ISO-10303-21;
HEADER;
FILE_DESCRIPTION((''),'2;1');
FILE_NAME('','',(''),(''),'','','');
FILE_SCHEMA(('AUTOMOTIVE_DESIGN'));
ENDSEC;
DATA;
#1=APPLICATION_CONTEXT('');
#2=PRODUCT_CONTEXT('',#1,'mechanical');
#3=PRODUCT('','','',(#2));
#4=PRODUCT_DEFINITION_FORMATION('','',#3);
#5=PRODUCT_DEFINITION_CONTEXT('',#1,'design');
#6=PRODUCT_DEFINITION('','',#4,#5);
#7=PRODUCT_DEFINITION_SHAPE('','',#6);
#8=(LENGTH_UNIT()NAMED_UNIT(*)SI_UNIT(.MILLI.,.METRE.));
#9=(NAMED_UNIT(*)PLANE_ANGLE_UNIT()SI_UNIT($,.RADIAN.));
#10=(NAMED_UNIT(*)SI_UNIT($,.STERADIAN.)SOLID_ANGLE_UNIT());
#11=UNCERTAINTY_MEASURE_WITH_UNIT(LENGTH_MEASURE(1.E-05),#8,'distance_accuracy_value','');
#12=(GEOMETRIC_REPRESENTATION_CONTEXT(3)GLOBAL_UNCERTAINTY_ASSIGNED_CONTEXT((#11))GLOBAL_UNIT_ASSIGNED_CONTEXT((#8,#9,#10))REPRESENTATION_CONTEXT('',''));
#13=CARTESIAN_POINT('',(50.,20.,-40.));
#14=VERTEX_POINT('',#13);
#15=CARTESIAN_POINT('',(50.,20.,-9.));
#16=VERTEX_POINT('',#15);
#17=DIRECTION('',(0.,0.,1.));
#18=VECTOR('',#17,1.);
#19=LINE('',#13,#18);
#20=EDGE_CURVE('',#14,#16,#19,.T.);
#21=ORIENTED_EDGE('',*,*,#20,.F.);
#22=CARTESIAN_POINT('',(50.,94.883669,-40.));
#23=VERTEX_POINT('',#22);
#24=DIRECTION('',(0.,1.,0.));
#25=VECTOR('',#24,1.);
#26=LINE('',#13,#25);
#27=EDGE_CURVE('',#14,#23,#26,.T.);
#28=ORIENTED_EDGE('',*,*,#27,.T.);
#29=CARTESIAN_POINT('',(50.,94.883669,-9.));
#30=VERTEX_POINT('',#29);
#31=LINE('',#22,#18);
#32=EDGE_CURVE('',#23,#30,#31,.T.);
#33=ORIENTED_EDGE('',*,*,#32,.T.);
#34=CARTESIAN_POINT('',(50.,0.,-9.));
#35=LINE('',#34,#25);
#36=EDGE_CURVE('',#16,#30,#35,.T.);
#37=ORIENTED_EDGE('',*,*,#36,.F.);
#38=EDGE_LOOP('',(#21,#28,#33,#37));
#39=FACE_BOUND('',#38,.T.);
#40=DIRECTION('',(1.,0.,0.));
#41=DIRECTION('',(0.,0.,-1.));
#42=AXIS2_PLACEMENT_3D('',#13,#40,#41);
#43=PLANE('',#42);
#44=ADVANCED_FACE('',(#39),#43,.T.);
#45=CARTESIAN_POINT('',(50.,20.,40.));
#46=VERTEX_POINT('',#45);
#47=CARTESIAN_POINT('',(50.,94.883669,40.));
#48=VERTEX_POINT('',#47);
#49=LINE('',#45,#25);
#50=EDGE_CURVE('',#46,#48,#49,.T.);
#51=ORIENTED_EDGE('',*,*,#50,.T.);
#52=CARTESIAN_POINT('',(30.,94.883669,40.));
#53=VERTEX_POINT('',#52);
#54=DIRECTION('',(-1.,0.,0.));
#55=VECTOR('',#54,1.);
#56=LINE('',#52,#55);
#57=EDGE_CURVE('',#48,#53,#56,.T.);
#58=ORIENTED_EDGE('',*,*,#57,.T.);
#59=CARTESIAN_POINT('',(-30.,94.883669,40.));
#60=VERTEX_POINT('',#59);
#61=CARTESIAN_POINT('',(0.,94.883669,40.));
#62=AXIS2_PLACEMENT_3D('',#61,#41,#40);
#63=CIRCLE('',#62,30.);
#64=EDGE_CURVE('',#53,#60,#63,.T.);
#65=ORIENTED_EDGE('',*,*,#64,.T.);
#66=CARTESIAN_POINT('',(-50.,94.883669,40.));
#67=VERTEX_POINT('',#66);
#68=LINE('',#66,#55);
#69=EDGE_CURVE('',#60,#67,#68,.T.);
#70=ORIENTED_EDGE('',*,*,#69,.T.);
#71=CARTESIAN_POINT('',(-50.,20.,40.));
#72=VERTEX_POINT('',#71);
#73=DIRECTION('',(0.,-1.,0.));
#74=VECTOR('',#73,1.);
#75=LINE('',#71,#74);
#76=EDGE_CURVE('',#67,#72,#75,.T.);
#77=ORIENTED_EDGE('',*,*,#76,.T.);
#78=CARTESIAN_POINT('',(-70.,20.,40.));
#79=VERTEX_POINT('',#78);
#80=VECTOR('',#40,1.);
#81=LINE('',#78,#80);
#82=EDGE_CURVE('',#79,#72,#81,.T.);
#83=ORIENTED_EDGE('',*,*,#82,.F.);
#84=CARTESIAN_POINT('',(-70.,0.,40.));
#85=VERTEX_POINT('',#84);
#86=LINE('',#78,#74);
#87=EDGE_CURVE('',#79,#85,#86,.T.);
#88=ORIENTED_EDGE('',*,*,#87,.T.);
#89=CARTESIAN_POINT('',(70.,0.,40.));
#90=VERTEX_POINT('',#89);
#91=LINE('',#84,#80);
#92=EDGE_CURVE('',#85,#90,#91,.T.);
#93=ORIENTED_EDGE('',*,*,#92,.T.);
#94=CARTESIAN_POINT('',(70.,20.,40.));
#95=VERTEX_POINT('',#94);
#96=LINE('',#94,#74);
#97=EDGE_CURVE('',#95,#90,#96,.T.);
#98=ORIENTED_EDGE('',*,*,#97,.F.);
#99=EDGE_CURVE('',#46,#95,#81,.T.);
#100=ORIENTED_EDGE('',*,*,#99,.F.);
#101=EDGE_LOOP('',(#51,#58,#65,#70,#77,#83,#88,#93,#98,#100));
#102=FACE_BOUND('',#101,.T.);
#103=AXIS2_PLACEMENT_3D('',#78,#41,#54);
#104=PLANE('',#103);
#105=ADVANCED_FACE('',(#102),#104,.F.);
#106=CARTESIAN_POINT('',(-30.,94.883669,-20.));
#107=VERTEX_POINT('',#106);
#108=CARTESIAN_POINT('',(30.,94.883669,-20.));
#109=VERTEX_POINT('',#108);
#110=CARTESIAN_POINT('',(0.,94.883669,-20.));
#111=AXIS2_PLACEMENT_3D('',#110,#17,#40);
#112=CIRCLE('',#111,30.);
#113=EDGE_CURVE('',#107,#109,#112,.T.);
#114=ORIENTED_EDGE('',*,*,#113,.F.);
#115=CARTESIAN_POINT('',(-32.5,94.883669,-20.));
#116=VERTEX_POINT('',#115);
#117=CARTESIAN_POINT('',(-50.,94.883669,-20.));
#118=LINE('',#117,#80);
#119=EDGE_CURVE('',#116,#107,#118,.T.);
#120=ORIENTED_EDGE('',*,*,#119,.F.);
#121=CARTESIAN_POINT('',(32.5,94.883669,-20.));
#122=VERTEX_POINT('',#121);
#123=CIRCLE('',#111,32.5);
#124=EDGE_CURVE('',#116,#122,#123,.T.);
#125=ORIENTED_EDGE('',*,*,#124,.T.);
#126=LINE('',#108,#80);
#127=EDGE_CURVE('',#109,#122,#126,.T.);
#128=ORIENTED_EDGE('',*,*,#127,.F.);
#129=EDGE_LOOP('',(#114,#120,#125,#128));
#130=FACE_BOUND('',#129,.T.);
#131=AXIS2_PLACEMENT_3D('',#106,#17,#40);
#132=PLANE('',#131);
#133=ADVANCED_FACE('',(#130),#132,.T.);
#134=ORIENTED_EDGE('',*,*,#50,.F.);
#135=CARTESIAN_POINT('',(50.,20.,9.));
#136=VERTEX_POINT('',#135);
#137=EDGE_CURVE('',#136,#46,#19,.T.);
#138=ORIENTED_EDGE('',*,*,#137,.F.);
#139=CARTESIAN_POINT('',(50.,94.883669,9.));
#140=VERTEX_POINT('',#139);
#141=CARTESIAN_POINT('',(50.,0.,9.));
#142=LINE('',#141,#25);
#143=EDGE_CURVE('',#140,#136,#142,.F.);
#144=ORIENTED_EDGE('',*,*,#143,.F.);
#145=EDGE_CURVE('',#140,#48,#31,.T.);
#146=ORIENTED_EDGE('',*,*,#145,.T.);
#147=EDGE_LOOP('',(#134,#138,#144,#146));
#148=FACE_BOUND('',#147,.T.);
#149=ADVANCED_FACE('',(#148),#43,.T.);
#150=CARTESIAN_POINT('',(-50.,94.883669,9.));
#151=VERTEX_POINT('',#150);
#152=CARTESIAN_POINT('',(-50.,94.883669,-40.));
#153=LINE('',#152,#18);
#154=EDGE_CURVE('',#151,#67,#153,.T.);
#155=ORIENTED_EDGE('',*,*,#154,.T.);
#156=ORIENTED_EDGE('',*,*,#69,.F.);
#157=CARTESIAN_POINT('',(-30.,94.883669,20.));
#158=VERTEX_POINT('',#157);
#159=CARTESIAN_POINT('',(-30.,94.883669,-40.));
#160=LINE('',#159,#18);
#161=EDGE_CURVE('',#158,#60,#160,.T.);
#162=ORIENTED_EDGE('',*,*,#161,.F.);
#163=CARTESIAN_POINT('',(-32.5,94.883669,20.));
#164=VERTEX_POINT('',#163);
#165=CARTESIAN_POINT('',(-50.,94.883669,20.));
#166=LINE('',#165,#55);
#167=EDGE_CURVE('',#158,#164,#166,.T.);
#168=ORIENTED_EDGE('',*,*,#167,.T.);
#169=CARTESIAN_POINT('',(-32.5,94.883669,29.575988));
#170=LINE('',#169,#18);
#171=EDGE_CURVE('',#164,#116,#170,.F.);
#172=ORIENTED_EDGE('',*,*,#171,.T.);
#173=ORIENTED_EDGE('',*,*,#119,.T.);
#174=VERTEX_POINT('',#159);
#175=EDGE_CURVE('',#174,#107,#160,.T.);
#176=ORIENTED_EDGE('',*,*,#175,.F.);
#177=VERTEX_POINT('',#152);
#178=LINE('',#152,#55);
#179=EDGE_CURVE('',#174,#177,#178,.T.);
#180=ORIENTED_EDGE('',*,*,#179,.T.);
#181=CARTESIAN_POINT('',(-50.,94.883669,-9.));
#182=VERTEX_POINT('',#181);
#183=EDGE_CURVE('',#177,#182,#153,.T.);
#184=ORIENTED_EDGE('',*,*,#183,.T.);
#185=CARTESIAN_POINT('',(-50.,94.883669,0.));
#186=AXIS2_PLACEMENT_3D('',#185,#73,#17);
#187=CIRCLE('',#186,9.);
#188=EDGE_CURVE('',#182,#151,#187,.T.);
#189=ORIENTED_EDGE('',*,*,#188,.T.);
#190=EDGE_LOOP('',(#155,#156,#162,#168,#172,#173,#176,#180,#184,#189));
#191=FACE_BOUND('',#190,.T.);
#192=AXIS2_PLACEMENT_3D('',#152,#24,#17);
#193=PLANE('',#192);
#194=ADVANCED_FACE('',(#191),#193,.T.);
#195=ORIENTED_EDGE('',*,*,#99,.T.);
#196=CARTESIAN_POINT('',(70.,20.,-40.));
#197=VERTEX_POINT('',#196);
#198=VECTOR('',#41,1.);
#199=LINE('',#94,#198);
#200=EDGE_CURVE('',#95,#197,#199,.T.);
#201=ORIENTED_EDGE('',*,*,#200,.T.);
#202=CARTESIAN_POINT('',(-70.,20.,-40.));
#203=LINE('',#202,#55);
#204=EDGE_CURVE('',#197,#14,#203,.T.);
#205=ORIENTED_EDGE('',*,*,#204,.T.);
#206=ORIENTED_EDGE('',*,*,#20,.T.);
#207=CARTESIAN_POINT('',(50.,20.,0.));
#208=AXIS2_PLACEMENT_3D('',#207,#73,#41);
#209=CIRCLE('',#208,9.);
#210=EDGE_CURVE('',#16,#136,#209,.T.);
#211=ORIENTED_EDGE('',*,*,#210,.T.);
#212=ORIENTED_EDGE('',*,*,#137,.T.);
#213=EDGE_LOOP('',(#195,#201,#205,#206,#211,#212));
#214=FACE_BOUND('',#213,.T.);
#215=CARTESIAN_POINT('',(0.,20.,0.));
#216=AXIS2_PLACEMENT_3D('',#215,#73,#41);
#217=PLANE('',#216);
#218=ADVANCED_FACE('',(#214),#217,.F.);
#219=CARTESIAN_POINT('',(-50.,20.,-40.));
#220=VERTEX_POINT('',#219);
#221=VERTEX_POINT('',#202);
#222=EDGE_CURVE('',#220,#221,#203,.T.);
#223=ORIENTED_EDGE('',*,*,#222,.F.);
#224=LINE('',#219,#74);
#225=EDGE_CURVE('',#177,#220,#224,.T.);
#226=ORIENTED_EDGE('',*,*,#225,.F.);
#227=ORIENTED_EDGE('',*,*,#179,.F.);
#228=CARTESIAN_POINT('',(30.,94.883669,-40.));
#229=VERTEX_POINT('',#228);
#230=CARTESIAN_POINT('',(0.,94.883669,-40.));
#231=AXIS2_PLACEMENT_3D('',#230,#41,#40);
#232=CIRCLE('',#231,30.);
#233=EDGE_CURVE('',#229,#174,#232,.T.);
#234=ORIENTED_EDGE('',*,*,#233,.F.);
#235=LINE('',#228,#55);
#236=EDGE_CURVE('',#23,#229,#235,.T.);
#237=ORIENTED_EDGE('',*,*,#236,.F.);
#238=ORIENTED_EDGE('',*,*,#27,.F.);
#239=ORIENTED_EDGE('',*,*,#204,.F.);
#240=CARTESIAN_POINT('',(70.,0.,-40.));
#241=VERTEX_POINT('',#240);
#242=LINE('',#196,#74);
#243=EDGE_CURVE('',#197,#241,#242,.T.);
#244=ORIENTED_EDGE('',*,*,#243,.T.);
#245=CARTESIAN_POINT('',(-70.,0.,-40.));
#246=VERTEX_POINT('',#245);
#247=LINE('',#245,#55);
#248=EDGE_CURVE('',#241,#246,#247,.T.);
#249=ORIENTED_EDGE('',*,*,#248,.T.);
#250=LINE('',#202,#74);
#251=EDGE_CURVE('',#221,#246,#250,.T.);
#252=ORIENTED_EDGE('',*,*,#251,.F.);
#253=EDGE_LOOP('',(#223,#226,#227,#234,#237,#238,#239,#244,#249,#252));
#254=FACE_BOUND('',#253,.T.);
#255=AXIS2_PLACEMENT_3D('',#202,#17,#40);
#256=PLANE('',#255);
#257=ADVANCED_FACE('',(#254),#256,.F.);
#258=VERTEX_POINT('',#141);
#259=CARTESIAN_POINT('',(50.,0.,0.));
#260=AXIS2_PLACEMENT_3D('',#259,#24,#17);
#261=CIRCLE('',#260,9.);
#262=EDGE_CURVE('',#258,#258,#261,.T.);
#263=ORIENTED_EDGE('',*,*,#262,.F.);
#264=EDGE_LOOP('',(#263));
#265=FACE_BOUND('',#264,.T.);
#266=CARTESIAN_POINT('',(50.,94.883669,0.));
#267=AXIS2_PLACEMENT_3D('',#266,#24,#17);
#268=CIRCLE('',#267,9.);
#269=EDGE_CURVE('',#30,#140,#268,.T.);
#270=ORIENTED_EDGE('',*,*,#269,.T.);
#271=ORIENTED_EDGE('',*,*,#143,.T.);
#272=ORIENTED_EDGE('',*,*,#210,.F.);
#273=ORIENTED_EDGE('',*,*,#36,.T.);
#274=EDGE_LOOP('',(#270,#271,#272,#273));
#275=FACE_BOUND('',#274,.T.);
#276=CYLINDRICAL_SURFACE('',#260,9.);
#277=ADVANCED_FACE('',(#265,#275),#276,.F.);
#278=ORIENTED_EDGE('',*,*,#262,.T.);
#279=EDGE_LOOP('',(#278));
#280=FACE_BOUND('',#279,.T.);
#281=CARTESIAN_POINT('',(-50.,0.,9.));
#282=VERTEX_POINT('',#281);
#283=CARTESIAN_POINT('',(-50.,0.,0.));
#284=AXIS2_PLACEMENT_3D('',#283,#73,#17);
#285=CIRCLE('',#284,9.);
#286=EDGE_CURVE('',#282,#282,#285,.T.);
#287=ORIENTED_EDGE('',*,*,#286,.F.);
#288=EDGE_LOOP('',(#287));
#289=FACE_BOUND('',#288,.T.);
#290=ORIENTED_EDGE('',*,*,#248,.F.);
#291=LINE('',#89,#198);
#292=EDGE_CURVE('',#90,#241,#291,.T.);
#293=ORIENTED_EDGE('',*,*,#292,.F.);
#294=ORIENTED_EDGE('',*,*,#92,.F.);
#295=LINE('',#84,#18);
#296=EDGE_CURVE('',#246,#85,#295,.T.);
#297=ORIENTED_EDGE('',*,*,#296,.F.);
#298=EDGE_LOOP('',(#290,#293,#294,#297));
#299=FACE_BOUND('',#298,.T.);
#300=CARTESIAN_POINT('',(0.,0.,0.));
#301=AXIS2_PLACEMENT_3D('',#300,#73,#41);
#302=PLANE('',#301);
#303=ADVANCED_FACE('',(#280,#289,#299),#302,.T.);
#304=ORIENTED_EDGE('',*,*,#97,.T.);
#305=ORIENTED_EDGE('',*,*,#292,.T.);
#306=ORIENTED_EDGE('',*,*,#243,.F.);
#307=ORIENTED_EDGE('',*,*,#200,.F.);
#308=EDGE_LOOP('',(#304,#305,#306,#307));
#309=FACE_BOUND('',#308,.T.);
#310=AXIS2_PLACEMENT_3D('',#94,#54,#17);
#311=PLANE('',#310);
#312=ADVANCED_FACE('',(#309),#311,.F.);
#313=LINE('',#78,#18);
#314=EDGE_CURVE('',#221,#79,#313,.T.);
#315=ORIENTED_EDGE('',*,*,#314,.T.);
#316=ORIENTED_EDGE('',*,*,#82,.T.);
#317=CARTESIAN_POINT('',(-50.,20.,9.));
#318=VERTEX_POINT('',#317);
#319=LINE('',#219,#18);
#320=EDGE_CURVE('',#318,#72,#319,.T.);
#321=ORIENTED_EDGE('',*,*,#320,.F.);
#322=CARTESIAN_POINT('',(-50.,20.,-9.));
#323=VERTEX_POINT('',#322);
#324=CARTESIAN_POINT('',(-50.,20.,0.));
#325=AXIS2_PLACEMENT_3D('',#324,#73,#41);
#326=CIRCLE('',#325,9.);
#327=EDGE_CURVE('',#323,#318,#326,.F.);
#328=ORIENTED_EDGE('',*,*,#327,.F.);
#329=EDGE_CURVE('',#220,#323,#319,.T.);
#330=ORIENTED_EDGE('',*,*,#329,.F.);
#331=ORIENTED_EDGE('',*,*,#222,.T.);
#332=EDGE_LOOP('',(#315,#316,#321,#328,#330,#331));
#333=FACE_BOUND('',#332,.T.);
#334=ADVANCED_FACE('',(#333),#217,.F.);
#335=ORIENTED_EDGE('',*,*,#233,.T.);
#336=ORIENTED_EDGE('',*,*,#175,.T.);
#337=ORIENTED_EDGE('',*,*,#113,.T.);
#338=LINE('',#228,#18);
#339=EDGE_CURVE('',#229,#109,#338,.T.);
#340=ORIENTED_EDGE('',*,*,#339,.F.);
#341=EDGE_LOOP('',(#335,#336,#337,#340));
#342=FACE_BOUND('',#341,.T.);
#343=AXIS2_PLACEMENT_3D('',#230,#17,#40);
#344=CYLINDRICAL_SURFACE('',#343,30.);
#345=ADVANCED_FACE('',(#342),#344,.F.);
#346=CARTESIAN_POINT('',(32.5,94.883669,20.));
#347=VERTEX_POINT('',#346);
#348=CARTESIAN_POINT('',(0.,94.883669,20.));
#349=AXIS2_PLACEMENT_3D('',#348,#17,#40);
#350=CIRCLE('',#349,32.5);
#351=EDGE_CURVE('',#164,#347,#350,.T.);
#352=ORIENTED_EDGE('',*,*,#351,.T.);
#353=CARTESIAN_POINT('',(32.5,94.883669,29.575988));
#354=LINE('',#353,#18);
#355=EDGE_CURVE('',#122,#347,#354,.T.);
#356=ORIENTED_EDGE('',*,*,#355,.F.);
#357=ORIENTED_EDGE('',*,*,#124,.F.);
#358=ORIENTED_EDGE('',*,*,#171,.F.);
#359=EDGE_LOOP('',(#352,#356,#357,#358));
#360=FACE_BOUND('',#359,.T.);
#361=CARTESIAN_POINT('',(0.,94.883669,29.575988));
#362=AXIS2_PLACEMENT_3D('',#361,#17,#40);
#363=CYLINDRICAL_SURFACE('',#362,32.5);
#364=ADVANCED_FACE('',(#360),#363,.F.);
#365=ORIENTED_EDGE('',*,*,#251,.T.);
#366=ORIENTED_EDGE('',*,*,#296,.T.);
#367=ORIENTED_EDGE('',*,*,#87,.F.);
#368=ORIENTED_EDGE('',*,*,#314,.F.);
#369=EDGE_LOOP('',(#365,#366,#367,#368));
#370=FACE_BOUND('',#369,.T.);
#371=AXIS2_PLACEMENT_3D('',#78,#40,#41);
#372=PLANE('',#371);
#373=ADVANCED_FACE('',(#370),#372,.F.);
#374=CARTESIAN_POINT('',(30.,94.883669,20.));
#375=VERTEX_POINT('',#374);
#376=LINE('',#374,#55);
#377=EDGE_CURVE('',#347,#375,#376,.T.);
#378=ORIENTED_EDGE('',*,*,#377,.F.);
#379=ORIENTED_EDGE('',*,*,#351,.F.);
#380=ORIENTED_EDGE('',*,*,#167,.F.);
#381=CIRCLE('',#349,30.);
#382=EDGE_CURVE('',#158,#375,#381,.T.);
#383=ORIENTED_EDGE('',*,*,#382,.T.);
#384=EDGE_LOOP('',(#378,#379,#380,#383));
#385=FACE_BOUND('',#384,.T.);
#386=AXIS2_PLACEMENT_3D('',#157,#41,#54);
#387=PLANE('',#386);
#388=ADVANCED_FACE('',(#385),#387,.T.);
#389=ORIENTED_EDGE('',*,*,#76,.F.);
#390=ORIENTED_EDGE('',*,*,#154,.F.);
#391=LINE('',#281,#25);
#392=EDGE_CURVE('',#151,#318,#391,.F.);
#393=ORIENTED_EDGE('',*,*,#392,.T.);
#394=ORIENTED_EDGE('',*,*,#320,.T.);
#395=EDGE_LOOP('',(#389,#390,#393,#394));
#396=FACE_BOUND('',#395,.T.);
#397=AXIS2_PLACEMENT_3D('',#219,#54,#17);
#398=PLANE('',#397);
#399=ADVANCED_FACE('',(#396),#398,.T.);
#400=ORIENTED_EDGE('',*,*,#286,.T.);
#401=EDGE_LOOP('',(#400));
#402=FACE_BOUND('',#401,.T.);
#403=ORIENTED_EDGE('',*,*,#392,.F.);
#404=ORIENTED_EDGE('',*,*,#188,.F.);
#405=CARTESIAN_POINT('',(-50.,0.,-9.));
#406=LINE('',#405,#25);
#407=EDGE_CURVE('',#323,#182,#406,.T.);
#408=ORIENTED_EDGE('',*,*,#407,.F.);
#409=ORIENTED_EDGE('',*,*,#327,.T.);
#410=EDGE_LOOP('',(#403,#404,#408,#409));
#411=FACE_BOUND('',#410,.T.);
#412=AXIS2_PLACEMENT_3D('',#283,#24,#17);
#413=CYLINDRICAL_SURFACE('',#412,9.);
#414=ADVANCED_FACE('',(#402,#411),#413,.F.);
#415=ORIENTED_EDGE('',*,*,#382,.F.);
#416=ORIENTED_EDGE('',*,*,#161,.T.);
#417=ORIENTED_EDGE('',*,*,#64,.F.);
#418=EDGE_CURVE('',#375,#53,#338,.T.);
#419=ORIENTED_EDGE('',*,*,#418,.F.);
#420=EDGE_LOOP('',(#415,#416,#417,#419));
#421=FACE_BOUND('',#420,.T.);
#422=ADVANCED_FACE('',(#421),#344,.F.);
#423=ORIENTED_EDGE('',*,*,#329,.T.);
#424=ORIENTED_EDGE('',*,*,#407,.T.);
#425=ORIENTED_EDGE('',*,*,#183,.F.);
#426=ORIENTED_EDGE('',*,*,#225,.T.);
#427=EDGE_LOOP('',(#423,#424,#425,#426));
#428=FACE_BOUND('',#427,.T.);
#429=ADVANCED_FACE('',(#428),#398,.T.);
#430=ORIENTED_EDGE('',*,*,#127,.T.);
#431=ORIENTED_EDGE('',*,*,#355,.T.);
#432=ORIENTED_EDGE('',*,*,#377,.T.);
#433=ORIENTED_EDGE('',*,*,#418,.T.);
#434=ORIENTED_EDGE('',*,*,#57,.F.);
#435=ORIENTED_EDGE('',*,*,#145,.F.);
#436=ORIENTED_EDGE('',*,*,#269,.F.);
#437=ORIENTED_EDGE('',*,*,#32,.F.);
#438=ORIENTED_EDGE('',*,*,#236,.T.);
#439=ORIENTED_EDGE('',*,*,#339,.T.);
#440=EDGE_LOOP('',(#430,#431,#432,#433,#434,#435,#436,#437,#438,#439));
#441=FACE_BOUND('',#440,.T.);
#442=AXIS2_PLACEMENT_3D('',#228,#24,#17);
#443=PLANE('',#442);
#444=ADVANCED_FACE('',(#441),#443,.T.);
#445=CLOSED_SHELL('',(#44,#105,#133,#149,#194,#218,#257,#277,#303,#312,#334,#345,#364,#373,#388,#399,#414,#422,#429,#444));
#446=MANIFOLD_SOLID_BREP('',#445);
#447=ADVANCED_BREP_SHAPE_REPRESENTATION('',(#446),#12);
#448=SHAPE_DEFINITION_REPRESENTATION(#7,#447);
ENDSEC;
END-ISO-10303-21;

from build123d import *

# Parameters (mm, degrees)
SKETCH1_W           = 140
SKETCH1_H           = 80
BOSS_EXTRUDE1_DEPTH = 20
BOSS_EXTRUDE2_DEPTH = 80
SKETCH3_W           = 2.5
SKETCH3_H           = 40
SKETCH4_R           = 9
CUT_EXTRUDE1_DEPTH  = 125.510684884


with BuildPart() as part:
    # Sketch1 → Boss-Extrude1 (new body)
    with BuildSketch(Plane(origin=(0, 0, 0), x_dir=(1, 0, 0), z_dir=(0, 1, 0))):
        Rectangle(SKETCH1_W, SKETCH1_H)
    extrude(amount=BOSS_EXTRUDE1_DEPTH)

    # Sketch2 → Boss-Extrude2 (add, through all)
    with BuildSketch(Plane.XY.offset(40)):
        with BuildLine():
            Line((30, 94.883669039), (50, 94.883669039))
            Line((50, 94.883669039), (50, 20))
            Line((50, 20), (-50, 20))
            Line((-50, 20), (-50, 94.883669039))
            Line((-50, 94.883669039), (-30, 94.883669039))
            ThreePointArc((-30, 94.883669039), (0, 64.883669039), (30, 94.883669039))
        make_face()
    extrude(amount=-BOSS_EXTRUDE2_DEPTH)

    # Sketch3 → Cut-Revolve1 (revolve, cut)
    with BuildSketch(Plane(origin=(0, 94.883669039, 0), x_dir=(1, 0, 0), z_dir=(0, 1, 0))):
        with Locations((-31.25, 0)):
            Rectangle(SKETCH3_W, SKETCH3_H)
    revolve(axis=Axis((0, 94.883669039, 29.575987761), (0, 0, -1)), mode=Mode.SUBTRACT)

    # Sketch4 → Cut-Extrude1 (cut, through all)
    with BuildSketch(Plane(origin=(0, 94.883669039, 0), x_dir=(1, 0, 0), z_dir=(0, 1, 0))):
        with Locations(Location((50, 0, 0), (0, 0, 270))):
            Circle(SKETCH4_R)
    cut_extrude1 = extrude(amount=-CUT_EXTRUDE1_DEPTH, mode=Mode.SUBTRACT)

    # Mirror1: Cut-Extrude1 across plane
    add(cut_extrude1.mirror(Plane(origin=(0, 0, 0), x_dir=(0, 0, 1), z_dir=(1, 0, 0))), mode=Mode.SUBTRACT)


solid = part.part
